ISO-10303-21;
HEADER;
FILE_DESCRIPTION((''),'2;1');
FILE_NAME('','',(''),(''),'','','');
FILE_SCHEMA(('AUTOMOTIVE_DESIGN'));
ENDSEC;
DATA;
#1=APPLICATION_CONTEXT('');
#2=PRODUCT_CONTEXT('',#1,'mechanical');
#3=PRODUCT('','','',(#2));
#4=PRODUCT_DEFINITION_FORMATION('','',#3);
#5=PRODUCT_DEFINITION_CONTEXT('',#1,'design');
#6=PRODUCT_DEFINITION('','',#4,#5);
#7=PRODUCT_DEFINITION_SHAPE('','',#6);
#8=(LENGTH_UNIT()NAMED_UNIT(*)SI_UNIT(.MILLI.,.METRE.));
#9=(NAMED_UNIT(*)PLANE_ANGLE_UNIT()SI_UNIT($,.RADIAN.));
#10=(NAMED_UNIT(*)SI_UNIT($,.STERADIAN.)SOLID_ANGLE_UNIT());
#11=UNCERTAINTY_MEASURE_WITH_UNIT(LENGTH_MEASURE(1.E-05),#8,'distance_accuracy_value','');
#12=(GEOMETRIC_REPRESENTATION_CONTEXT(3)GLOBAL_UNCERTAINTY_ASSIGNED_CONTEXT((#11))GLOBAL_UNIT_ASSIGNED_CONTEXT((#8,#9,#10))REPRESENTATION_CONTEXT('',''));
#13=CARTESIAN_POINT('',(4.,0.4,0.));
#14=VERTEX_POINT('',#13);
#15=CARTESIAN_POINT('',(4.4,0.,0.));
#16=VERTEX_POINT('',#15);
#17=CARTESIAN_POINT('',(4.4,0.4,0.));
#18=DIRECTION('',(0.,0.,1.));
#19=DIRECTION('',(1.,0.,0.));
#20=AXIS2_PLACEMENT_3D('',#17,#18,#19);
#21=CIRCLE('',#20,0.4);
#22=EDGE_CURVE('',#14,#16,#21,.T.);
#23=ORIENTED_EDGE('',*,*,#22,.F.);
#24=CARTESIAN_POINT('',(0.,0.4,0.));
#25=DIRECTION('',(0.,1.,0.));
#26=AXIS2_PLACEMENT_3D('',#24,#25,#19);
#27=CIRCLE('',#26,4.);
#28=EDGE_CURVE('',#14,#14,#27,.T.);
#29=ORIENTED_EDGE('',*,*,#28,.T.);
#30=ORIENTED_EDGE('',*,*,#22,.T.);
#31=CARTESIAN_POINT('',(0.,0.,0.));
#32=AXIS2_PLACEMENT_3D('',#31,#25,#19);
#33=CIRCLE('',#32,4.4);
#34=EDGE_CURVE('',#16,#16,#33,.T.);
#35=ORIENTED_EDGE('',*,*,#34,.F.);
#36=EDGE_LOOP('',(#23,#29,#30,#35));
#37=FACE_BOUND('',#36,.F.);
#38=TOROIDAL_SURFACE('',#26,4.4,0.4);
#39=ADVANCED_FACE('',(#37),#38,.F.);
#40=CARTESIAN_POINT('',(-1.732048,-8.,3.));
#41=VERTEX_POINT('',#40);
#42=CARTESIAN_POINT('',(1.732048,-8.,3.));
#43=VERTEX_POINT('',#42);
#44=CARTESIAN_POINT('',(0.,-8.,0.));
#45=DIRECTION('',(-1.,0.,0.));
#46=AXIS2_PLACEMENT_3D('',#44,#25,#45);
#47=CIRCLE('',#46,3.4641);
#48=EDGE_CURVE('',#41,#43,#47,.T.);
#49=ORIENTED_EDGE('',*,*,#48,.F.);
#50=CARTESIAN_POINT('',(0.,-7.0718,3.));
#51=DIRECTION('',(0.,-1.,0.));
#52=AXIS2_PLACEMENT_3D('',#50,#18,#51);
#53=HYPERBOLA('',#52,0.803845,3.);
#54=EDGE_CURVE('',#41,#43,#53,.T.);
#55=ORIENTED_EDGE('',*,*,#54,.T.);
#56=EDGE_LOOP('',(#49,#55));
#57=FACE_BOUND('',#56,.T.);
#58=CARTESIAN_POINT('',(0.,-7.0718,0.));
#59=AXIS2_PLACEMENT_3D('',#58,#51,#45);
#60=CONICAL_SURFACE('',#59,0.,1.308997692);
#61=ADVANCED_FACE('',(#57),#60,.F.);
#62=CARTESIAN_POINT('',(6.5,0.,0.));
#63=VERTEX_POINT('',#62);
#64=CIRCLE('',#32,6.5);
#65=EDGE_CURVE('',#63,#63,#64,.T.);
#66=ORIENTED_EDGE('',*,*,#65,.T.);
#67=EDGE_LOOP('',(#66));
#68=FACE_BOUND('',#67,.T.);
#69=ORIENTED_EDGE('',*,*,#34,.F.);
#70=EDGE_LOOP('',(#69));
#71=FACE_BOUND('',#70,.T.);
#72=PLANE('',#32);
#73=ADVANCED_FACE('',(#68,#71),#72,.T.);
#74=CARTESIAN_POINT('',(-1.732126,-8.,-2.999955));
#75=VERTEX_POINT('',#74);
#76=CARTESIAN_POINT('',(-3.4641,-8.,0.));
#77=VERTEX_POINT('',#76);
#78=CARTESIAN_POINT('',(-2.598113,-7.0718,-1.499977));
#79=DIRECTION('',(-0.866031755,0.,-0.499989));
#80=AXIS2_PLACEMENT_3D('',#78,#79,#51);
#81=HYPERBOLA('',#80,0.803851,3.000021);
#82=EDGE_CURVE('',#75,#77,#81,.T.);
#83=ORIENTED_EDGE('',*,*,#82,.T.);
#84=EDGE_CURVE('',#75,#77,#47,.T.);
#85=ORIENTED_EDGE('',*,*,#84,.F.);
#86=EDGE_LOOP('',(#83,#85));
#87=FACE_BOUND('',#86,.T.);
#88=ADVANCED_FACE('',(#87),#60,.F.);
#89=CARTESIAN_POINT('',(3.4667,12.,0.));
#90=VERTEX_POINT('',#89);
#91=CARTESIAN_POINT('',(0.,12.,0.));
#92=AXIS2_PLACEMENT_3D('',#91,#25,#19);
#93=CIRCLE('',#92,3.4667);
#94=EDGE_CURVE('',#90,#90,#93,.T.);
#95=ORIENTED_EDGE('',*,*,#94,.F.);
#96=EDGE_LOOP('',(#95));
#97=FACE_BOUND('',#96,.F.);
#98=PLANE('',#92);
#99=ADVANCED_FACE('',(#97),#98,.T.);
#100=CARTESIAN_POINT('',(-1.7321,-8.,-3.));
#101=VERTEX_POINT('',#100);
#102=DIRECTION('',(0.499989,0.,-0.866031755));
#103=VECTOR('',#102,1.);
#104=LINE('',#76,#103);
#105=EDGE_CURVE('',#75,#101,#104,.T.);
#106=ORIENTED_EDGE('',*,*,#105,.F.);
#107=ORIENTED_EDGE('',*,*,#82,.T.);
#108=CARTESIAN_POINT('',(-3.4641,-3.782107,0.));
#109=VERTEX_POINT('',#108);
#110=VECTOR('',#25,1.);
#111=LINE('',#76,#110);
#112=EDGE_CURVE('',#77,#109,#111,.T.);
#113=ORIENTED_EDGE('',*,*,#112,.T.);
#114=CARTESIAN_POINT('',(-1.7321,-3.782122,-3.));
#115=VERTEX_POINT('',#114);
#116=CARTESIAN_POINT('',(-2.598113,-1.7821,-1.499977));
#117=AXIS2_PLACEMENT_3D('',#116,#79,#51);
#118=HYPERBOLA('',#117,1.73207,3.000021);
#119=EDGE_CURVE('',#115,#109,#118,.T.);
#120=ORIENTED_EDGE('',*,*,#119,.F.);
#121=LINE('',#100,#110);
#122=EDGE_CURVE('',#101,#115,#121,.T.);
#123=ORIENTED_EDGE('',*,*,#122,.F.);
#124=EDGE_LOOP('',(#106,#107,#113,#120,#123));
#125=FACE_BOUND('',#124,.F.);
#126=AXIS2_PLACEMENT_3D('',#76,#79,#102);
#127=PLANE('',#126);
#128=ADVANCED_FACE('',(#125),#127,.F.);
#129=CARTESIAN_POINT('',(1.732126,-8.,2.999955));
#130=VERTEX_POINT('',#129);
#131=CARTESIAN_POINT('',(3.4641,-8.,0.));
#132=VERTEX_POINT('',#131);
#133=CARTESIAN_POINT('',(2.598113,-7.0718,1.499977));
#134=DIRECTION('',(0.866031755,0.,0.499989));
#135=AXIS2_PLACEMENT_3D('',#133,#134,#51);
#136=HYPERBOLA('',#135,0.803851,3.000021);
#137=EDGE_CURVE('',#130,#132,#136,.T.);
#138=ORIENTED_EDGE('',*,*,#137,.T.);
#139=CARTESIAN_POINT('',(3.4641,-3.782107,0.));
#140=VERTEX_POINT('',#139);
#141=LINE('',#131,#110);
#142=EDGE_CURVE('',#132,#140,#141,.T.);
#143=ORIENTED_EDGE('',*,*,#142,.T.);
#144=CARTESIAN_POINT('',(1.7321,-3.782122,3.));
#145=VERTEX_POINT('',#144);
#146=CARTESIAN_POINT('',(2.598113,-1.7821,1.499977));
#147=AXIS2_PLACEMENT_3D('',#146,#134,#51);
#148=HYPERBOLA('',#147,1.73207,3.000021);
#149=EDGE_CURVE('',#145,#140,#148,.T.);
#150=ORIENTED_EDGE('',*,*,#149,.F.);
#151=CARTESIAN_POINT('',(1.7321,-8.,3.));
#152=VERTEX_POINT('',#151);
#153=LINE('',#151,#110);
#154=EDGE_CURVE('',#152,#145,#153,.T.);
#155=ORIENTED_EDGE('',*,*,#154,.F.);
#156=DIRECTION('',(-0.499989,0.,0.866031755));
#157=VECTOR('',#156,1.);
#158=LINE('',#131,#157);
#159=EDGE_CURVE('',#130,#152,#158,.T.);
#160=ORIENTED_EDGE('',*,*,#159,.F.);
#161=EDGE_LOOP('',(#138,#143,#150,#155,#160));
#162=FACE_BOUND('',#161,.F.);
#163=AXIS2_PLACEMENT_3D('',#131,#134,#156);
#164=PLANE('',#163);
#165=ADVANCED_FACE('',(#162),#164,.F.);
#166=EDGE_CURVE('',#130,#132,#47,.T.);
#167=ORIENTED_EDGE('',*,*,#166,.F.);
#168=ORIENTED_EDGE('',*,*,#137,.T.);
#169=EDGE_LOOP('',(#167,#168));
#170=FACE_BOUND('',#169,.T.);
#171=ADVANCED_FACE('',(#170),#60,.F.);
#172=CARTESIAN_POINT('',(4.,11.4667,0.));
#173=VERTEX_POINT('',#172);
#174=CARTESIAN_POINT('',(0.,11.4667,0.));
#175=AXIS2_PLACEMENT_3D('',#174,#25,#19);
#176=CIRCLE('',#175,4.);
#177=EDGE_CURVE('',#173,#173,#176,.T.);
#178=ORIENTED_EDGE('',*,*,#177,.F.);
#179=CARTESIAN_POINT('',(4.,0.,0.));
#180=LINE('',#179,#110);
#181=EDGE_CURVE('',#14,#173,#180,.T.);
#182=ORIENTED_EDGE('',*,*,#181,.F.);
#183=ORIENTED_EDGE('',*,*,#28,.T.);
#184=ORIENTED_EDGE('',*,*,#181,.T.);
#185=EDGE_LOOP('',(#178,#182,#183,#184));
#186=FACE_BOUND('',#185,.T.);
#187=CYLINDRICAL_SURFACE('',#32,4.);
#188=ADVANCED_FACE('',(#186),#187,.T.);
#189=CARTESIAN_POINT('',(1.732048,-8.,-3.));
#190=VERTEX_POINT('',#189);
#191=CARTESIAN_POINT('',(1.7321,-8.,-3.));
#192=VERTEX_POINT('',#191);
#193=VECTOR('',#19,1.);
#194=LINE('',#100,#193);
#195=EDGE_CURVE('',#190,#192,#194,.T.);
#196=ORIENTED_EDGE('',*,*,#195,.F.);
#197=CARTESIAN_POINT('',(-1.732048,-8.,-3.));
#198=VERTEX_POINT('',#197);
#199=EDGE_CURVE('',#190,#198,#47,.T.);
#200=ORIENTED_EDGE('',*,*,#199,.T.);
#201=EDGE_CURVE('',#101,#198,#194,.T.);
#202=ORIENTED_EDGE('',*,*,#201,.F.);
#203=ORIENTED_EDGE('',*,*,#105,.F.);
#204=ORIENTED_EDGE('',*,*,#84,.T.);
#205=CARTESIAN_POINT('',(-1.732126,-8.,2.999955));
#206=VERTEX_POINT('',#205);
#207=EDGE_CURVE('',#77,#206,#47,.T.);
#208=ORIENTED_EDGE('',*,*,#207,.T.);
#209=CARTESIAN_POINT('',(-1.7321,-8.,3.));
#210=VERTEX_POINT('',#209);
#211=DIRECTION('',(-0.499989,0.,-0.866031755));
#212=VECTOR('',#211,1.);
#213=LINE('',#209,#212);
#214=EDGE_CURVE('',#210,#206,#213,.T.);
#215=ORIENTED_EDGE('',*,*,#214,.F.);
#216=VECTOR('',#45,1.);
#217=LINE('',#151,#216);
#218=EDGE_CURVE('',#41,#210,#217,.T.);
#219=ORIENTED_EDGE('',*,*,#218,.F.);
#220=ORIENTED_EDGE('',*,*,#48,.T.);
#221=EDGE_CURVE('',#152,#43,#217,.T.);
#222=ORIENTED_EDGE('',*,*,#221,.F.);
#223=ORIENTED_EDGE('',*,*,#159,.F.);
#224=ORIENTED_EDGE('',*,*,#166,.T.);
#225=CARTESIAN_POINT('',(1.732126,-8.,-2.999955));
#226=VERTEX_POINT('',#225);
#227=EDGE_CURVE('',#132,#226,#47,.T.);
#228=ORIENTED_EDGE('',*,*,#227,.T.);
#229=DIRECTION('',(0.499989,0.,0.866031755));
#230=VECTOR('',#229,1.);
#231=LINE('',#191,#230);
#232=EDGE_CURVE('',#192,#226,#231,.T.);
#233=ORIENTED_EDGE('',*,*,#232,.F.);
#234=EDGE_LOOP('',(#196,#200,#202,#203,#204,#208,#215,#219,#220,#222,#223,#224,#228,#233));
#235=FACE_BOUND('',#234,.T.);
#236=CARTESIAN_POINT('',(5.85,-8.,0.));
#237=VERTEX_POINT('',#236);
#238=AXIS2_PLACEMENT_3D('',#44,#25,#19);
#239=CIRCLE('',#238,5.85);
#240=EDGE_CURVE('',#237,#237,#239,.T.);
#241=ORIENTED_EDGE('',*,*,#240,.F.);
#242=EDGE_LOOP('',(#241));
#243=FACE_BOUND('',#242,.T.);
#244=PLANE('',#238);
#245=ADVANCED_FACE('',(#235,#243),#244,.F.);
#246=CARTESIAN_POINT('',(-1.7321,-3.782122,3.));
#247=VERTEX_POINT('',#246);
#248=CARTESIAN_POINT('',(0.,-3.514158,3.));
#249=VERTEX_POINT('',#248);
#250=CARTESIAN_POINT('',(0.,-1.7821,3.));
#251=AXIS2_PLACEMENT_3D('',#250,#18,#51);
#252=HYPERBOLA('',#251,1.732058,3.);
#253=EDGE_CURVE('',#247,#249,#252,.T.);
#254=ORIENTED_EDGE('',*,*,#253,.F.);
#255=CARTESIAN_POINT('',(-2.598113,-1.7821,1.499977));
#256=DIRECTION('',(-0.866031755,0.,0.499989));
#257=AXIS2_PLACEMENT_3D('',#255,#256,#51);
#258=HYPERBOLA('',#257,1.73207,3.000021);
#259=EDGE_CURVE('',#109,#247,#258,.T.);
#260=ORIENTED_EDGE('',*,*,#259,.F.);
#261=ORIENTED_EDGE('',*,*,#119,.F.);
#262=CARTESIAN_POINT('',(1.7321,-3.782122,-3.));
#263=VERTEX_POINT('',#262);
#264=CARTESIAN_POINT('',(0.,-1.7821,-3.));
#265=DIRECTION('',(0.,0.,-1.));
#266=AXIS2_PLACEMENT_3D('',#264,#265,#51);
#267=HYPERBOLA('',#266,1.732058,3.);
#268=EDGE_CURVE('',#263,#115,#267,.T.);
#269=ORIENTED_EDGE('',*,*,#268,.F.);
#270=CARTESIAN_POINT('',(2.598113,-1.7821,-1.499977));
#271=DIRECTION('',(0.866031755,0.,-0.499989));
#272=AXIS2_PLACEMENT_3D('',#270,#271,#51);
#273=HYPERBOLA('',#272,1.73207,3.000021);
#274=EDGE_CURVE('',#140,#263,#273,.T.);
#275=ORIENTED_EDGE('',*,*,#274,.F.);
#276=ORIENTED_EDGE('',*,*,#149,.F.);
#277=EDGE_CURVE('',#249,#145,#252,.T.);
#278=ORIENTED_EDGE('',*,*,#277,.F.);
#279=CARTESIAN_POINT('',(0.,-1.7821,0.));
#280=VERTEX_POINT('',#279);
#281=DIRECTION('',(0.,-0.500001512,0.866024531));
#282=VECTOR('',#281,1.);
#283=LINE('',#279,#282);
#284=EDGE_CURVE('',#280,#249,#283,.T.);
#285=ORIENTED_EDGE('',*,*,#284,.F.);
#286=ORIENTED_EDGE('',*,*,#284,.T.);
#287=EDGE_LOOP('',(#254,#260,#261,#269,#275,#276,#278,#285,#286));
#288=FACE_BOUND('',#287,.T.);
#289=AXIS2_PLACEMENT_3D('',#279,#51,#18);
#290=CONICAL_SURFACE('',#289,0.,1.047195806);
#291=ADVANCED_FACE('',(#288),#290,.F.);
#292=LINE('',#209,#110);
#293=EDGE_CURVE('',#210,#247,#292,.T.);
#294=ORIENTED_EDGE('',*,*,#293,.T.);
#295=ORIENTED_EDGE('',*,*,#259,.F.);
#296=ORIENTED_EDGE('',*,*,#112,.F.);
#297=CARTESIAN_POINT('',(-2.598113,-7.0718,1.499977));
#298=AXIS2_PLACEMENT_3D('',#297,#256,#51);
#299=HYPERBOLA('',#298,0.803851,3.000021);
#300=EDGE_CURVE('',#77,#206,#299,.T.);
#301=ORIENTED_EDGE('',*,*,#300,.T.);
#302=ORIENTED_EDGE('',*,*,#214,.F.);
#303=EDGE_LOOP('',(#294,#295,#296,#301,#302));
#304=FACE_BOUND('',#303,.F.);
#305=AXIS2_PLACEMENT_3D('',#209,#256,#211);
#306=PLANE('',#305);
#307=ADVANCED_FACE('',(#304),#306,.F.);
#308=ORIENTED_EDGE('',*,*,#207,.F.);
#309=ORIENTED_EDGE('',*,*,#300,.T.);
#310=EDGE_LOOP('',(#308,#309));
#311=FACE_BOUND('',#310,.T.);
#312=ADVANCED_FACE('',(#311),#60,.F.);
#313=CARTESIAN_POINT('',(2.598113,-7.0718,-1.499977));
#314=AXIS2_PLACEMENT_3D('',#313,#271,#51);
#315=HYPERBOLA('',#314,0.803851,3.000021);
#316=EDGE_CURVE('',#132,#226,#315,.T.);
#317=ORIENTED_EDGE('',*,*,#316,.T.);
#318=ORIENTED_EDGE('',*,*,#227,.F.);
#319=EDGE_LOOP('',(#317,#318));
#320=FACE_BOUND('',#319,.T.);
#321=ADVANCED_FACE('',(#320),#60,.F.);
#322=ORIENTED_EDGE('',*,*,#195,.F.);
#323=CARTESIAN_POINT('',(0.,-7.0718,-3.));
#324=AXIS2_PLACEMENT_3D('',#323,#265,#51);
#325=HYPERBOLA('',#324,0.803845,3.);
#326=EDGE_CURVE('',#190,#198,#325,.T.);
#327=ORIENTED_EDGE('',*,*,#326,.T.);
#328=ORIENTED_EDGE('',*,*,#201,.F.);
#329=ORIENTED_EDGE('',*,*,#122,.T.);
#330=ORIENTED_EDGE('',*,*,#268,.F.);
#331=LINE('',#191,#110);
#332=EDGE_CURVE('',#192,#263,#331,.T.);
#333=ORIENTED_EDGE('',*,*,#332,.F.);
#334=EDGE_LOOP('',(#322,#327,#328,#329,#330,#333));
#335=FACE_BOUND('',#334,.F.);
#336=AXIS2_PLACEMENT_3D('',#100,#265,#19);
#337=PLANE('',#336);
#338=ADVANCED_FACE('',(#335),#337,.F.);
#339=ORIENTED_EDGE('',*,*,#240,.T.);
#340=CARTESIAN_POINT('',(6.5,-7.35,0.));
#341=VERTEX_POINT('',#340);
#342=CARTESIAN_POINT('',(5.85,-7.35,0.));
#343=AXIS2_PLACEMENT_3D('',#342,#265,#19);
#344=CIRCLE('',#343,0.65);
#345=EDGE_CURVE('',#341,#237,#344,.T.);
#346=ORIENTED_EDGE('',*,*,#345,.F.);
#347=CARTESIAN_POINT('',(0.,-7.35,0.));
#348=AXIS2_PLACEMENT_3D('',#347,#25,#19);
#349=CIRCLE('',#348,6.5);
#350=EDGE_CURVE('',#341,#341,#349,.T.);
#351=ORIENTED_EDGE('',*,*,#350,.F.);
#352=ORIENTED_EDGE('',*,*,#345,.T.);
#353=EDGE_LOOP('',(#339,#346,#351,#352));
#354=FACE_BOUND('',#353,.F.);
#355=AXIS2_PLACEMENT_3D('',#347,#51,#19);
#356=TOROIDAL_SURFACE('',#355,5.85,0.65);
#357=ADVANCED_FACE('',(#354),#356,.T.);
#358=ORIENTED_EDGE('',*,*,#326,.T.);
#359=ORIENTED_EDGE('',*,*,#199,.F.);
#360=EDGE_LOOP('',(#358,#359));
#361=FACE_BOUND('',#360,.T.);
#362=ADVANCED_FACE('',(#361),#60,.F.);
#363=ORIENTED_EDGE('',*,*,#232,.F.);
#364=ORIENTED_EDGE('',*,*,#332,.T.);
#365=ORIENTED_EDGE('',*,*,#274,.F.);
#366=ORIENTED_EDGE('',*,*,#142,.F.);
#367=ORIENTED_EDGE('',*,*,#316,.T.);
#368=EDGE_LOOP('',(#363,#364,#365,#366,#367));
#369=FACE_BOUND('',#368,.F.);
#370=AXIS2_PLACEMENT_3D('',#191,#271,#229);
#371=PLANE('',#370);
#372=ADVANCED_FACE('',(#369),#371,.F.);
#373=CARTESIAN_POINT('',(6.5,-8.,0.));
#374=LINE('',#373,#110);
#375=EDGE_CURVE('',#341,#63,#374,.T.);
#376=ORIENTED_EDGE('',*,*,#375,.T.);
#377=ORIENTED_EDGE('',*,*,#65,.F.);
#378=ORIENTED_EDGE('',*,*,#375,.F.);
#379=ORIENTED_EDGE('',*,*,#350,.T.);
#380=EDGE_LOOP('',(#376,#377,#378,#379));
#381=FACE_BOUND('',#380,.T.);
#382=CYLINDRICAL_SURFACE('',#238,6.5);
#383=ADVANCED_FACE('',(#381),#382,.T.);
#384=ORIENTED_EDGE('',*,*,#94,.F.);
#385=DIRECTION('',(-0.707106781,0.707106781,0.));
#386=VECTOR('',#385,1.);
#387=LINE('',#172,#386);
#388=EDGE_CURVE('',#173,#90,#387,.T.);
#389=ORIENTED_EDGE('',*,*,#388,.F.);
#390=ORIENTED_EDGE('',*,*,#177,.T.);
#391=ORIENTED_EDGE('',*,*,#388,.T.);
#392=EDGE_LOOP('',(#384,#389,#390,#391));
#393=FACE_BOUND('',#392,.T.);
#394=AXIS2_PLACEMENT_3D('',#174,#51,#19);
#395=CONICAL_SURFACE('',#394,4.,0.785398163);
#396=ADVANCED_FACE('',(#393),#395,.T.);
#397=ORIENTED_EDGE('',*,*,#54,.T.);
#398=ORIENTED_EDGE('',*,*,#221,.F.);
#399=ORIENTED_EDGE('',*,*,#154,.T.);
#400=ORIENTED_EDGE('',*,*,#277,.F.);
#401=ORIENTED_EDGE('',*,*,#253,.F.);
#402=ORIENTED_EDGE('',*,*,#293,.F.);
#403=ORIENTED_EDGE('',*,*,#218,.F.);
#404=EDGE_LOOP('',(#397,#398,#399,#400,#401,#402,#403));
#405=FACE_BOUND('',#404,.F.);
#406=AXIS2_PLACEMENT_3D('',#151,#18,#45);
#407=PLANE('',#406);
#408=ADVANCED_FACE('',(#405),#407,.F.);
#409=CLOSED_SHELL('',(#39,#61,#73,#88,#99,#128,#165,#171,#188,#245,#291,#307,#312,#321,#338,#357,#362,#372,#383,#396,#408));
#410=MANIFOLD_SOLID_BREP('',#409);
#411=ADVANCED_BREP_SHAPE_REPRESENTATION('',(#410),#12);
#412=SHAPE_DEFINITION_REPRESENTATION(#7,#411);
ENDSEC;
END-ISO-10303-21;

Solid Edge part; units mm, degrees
sketch "Sketch1" plane through (0, 0, 0) normal (0, 0, 1) x (1, 0, 0)
  line L0 (4, 0) -> (4, 12)
  line L1 (0, 12) -> (4, 12)
  line L2 (0, 0) -> (0, 12)
  line L3 (0, 0) -> (0, -8)
  line L4 (0, -8) -> (6.5, -8)
  line L5 (6.5, -8) -> (6.5, 0)
  line L6 (6.5, 0) -> (4, 0)
revolve "RevolvedProtrusion1" add sketch "Sketch1" angle 360 about axis through (0, 0, 0) along (0, 1, 0)
sketch "Sketch2" plane through (0, 0, 0) normal (1, 0, 0) x (0, 1, 0)
  line L0 (-8, 3.8415) -> (-4, 3.8415)
  line L1 (-1.7821, 0) -> (-4, 3.8415)
  line L2 (-8, 0) -> (-1.7821, 0)
  line L3 (-8, 0) -> (-8, 3.8415)
revolve "RevolvedCutout1" cut sketch "Sketch2" angle 360 about axis through (0, -4.5, 0) along (0, 1, 0)
sketch "Sketch3" plane through (0, -8, 0) normal (0, -1, 0) x (0, 0, 1)
  circle A0 centre (0, 0) radius 3.8415
  line L0 (-3, -1.7321) -> (0, -3.4641)
  line L1 (0, -3.4641) -> (3, -1.7321)
  line L2 (3, -1.7321) -> (3, 1.7321)
  line L3 (3, 1.7321) -> (0, 3.4641)
  line L4 (0, 3.4641) -> (-3, 1.7321)
  line L5 (-3, 1.7321) -> (-3, -1.7321)
  dimension "D1" = 6
extrude "Protrusion1" add sketch "Sketch3" against normal up to next
sketch "Sketch4" plane through (0, 0, 0) normal (0, 0, 1) x (1, 0, 0)
  line L0 (-3.4641, -8) -> (0, -8)
  line L1 (0, -8) -> (0, -7.0718)
  line L2 (0, -7.0718) -> (-3.4641, -8)
revolve "RevolvedCutout2" cut sketch "Sketch4" angle 360 about axis through (0, -4.5, 0) along (0, 1, 0)
fillet "Round1" radius 0.4 1 edges at (0, 0, -4)
fillet "Round2" radius 0.65 1 edges at (0, -8, -6.5)
chamfer "倒斜角_2" distance 0.5333 angle 45 1 edges at (0, 12, -4)
cosmetic_thread "螺纹_3" size "M8" thread depth 9.6
